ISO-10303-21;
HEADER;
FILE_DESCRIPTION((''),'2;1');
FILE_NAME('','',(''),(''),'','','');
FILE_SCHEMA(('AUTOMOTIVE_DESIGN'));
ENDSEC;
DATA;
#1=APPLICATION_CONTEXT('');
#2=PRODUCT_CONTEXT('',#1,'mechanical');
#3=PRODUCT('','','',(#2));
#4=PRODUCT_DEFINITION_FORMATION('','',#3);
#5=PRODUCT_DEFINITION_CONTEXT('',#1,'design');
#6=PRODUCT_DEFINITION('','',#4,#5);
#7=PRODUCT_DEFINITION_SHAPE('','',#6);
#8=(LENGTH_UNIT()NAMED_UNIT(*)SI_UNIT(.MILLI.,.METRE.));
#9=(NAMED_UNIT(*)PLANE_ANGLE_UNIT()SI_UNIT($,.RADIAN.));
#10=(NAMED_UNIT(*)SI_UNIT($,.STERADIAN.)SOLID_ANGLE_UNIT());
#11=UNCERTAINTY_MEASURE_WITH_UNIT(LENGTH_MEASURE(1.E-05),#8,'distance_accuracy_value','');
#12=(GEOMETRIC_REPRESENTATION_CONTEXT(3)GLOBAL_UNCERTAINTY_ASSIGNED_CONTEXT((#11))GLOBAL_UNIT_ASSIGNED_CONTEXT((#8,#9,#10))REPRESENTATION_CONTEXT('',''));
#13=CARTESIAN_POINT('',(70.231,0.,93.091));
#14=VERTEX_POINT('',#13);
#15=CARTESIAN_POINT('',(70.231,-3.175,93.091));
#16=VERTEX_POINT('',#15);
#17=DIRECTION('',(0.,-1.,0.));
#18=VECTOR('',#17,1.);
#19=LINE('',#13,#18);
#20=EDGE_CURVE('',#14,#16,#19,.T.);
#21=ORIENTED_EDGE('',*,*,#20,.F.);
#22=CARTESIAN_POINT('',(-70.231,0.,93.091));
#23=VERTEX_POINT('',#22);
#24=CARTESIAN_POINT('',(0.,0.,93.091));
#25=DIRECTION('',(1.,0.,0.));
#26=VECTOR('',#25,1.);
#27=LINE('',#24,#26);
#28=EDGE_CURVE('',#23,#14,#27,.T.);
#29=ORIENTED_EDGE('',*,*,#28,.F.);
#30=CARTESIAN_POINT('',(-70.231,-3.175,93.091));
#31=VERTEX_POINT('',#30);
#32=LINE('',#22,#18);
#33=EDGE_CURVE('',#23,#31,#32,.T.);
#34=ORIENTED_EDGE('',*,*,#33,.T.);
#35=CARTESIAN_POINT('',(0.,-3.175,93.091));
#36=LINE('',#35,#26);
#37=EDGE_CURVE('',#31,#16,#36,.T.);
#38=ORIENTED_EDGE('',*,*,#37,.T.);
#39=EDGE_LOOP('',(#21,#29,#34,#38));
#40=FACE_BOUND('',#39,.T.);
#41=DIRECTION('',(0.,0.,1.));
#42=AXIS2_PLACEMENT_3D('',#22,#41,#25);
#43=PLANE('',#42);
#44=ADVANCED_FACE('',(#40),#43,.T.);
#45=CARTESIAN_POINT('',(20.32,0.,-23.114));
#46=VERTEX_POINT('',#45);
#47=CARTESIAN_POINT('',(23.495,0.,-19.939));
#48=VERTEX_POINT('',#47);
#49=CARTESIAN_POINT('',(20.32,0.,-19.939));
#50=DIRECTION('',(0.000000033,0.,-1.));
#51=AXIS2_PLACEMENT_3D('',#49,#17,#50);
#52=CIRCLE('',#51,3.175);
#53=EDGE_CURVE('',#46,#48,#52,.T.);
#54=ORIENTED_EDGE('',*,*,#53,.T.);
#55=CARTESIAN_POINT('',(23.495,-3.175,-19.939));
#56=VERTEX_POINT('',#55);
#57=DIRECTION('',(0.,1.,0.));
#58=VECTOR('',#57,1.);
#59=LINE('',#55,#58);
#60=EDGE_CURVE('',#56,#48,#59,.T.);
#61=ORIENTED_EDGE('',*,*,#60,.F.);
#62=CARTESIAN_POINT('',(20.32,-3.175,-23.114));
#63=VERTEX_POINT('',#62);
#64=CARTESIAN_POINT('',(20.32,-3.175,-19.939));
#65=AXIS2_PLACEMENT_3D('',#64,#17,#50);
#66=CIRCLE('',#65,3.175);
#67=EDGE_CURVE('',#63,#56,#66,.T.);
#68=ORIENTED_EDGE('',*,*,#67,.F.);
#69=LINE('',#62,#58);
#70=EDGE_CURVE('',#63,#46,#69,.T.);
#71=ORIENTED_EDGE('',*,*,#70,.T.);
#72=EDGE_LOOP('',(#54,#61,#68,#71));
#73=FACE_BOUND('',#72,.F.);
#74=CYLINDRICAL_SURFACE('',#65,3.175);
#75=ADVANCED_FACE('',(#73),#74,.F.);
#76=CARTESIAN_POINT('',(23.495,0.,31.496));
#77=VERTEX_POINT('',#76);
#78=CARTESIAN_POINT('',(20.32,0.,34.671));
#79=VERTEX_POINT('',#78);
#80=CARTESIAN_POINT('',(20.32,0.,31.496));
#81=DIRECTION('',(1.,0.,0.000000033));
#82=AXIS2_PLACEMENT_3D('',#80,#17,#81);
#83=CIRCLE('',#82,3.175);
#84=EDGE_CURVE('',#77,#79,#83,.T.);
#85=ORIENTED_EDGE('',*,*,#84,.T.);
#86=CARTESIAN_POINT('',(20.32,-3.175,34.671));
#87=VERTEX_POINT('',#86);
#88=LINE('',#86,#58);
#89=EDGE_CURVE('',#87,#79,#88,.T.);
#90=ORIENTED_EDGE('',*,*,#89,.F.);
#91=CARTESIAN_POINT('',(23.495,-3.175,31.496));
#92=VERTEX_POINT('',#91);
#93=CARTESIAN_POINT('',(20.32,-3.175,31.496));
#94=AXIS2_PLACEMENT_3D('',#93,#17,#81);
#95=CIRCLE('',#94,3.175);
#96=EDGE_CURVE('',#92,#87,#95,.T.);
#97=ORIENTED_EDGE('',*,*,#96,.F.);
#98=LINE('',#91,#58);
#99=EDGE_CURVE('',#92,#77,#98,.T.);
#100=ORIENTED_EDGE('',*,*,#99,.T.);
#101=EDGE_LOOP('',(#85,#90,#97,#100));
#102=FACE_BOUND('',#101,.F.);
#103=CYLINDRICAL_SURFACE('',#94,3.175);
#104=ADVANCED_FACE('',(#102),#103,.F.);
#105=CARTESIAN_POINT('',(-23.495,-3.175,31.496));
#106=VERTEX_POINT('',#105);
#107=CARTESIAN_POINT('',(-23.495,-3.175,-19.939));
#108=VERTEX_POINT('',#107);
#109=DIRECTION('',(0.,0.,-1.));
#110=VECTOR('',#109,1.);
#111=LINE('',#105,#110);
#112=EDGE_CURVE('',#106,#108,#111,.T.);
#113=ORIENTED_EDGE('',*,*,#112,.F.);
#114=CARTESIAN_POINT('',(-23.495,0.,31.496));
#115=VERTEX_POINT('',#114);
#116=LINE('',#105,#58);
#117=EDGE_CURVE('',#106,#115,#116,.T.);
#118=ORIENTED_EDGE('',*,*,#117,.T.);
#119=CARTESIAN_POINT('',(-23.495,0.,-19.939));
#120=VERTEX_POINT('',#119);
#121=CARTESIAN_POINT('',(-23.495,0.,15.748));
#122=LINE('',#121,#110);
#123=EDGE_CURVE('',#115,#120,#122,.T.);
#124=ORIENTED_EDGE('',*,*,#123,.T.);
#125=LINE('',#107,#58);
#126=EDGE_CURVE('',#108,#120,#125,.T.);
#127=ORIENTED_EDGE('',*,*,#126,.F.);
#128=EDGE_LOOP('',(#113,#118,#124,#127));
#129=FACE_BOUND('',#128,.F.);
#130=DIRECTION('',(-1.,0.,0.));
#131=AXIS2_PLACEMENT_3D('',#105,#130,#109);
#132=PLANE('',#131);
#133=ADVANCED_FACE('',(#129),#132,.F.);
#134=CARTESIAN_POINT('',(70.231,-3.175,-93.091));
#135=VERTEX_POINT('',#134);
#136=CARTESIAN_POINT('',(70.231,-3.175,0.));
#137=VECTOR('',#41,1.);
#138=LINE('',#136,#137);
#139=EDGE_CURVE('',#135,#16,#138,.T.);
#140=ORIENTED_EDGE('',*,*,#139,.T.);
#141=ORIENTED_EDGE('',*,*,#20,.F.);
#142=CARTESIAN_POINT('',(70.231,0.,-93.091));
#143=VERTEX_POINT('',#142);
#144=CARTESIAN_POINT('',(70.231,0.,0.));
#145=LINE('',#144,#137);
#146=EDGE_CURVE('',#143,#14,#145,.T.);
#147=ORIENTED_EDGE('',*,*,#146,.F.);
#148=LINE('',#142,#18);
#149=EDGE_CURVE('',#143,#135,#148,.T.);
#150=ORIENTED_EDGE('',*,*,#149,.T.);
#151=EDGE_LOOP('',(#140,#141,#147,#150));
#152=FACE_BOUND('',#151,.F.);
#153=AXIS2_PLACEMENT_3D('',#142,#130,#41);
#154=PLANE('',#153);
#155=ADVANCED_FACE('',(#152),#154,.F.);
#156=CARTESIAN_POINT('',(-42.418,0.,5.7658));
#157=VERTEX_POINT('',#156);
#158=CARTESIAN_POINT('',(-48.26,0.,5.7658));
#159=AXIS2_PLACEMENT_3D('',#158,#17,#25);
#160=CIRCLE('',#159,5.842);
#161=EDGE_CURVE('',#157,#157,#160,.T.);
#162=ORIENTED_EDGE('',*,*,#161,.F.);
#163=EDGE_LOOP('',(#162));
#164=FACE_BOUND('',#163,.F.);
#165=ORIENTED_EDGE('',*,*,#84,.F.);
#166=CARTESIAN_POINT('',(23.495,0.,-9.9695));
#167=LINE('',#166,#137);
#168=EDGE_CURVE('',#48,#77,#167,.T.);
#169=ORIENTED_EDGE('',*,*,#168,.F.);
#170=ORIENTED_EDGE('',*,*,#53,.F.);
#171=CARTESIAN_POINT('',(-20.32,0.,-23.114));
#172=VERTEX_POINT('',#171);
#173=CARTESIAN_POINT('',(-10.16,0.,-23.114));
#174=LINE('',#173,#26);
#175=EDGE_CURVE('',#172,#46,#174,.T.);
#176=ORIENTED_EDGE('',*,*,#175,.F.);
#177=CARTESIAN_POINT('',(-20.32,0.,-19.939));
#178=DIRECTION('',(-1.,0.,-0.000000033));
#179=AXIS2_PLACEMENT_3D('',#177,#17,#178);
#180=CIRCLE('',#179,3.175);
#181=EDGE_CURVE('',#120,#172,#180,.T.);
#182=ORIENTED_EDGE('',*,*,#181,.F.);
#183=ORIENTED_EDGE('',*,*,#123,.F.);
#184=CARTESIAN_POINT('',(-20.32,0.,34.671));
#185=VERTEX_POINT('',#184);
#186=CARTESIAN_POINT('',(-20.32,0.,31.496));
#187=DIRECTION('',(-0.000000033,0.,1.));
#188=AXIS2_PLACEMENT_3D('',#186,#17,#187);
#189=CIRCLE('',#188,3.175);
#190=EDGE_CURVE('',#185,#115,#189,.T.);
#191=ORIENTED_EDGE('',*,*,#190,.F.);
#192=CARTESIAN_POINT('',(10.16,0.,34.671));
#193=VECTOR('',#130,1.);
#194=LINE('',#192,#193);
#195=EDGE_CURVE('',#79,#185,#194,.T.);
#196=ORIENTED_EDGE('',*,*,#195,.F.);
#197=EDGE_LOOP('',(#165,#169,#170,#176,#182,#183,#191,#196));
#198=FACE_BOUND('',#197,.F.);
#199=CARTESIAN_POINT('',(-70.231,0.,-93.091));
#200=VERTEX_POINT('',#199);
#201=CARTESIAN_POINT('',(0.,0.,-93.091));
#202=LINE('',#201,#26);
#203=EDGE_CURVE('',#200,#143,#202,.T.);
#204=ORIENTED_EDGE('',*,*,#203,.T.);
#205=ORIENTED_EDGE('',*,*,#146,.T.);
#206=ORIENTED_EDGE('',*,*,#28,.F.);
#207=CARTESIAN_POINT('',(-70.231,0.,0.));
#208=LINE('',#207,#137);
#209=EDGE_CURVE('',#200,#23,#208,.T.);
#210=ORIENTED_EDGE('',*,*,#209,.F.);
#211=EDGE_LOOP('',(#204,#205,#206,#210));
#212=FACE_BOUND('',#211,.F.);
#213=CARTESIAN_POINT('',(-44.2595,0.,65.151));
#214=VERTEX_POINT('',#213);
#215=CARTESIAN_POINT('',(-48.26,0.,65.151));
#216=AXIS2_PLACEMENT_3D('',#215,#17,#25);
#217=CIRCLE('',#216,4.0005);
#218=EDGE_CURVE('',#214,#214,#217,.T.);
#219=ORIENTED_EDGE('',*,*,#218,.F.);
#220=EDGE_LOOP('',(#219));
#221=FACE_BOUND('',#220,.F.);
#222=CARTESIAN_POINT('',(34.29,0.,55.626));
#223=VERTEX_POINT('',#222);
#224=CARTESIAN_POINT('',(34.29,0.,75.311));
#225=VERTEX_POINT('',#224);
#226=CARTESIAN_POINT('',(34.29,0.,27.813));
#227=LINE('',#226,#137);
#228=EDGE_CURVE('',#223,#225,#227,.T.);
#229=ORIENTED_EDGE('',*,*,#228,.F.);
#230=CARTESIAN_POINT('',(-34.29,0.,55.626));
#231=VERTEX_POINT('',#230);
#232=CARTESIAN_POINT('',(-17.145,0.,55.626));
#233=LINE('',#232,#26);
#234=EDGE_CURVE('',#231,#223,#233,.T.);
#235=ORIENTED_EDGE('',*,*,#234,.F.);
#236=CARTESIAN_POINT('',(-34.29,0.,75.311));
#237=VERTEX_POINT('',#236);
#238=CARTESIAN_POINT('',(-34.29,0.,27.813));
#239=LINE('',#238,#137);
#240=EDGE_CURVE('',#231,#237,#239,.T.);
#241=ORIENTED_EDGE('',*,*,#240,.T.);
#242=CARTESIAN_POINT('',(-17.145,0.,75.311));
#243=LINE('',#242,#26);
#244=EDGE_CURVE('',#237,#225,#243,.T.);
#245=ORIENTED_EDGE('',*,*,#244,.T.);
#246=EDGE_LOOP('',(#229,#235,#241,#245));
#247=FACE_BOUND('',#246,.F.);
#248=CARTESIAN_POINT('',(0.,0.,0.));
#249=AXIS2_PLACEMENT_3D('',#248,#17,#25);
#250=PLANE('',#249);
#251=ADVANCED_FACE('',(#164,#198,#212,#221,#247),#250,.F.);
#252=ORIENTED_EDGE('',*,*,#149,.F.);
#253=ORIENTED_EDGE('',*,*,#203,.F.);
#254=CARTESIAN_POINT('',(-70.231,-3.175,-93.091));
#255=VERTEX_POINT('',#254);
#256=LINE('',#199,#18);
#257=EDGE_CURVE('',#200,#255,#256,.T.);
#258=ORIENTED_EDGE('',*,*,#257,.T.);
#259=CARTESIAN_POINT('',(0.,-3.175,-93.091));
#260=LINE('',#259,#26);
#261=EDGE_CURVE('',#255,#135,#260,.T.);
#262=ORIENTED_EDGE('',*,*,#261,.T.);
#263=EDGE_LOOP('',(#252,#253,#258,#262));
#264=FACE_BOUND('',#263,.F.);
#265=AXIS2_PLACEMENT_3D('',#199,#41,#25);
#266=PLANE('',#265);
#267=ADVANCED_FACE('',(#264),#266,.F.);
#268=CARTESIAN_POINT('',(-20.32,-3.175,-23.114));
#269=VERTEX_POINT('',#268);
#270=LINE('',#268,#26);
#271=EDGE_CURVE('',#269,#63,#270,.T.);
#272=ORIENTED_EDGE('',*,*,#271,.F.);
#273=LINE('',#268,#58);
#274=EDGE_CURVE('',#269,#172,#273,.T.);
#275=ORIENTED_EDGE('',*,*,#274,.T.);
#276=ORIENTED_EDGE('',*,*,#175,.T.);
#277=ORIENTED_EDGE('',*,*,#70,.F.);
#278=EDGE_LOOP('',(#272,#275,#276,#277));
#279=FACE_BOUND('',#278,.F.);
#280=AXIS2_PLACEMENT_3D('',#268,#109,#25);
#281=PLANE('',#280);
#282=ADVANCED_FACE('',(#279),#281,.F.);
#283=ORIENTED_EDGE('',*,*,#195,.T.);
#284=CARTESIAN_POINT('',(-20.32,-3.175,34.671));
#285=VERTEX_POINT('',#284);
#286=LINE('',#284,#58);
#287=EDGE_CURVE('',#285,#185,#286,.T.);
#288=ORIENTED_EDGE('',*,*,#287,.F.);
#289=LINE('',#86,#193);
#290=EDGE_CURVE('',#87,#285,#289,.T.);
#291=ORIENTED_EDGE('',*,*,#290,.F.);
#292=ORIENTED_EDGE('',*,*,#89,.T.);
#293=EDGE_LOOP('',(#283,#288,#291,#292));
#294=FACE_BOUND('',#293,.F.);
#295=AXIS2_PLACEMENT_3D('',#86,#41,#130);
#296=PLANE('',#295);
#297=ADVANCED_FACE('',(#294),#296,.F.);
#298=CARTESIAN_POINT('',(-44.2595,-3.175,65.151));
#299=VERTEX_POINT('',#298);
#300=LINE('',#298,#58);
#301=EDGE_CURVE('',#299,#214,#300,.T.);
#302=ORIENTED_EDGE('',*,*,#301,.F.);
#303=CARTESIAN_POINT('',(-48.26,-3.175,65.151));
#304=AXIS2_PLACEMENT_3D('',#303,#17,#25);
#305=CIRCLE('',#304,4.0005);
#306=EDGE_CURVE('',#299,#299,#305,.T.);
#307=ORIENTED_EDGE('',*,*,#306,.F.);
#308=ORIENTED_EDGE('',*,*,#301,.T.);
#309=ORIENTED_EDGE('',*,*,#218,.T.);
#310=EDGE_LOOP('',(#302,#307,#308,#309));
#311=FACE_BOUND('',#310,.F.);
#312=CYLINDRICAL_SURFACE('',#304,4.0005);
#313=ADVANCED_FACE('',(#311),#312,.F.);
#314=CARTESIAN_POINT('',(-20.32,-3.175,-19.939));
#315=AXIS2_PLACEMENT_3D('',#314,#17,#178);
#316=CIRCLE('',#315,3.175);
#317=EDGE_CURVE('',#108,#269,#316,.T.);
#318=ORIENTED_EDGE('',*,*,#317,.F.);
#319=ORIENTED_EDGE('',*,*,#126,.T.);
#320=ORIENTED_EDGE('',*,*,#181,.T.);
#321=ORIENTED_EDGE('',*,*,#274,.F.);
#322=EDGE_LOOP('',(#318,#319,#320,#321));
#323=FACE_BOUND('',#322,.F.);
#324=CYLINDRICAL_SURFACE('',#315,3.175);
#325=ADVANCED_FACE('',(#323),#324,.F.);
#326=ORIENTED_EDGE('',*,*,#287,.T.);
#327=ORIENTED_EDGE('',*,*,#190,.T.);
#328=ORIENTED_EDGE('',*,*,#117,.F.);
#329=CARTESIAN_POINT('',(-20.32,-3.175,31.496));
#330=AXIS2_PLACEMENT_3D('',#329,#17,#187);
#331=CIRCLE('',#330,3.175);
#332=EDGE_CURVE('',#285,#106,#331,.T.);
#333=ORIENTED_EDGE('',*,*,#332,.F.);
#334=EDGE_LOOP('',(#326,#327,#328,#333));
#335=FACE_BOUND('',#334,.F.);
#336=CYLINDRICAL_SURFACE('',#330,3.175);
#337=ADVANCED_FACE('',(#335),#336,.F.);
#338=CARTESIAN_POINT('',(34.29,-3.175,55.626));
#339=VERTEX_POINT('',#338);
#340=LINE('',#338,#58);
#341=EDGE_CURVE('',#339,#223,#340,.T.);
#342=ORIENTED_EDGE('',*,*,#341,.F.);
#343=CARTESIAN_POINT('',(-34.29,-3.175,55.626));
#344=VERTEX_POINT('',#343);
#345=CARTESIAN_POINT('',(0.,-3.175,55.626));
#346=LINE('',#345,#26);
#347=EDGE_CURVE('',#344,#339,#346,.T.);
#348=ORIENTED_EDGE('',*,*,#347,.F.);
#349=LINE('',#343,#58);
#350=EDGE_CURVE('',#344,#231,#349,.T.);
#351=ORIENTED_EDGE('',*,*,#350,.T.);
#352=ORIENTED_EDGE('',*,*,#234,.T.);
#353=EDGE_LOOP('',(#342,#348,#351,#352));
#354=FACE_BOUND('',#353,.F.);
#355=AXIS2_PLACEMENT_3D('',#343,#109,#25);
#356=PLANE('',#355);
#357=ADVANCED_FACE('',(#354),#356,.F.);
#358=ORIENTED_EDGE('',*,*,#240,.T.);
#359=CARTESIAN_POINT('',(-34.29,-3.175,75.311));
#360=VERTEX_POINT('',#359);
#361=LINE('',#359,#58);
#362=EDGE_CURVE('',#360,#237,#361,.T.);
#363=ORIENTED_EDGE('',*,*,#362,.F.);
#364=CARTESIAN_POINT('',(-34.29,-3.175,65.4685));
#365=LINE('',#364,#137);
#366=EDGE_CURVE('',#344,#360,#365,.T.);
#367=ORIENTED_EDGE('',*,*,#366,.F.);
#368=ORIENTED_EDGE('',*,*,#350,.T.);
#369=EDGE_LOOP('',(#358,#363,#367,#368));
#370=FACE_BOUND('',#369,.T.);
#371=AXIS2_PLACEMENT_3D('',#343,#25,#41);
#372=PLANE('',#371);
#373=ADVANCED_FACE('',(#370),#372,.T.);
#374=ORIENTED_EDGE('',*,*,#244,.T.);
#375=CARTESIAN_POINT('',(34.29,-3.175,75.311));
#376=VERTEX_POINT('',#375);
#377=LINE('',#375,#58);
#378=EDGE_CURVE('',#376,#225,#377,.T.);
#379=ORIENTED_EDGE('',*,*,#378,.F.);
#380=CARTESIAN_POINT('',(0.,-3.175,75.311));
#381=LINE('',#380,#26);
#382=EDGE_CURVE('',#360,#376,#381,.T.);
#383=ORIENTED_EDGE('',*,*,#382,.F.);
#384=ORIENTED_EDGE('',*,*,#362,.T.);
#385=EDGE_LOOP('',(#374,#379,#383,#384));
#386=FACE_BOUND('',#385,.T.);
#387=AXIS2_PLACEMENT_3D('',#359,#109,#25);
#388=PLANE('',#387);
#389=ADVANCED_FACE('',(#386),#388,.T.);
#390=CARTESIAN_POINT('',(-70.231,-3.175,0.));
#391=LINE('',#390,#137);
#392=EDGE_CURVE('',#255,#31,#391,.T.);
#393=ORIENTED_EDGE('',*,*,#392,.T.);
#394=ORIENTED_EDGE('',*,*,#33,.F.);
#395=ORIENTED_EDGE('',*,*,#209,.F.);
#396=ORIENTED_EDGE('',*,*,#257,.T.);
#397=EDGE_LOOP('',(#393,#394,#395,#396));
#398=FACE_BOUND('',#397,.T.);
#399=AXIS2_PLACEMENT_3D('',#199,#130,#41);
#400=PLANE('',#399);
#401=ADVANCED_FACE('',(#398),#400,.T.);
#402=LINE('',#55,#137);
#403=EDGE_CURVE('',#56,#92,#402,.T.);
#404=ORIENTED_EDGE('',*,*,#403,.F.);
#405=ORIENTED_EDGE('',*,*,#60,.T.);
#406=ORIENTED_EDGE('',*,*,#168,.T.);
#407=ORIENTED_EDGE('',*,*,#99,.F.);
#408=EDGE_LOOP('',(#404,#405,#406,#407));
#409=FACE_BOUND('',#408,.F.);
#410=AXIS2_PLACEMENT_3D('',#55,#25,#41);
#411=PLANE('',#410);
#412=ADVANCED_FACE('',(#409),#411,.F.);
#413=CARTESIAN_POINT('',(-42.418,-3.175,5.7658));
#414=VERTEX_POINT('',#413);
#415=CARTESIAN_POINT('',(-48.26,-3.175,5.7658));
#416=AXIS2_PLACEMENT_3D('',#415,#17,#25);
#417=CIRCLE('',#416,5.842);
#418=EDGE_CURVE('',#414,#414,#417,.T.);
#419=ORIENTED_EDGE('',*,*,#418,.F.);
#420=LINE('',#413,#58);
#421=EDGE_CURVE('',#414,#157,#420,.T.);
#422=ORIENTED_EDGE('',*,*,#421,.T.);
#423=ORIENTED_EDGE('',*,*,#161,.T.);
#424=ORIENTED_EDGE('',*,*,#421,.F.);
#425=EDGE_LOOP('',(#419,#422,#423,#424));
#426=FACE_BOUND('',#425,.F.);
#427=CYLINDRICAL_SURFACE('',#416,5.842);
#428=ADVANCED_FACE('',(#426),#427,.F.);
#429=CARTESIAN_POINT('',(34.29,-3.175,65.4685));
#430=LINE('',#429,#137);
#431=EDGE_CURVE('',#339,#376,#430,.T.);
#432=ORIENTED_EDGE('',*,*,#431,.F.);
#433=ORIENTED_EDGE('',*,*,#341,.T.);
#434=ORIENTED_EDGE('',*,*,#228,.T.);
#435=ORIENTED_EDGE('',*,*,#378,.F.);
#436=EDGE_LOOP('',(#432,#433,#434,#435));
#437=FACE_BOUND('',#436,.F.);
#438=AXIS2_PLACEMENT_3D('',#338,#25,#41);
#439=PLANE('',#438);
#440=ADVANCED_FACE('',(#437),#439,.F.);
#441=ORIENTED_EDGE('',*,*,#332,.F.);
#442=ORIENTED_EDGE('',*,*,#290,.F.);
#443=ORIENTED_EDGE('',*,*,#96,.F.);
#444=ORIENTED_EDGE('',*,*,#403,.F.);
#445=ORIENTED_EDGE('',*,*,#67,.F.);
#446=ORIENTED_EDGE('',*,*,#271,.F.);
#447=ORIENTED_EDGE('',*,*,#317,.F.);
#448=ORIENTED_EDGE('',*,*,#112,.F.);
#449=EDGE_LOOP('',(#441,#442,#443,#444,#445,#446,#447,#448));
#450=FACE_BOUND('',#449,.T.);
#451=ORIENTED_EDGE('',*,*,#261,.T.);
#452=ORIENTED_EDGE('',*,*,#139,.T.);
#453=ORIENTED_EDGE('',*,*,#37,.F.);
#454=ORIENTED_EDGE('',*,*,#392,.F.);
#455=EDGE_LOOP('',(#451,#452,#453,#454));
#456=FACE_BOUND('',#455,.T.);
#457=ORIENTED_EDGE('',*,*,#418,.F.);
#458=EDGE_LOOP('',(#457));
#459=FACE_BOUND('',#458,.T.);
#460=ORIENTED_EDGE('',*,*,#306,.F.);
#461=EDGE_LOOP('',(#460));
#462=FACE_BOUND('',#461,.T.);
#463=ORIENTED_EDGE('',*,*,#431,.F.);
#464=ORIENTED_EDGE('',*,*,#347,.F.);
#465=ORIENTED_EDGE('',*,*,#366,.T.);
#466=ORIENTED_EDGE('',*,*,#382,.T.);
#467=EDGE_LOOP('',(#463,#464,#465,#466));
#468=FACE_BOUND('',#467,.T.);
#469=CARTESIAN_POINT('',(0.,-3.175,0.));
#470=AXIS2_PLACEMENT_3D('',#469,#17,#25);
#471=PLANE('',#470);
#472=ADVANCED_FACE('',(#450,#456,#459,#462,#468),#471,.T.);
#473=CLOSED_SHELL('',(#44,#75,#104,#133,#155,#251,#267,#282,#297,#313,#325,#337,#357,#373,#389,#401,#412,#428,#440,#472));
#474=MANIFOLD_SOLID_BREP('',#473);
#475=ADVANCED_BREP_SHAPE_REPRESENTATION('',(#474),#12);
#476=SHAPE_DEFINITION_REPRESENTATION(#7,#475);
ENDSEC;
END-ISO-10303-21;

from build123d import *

# Parameters (mm, degrees)
F0_W     = 140.462
F0_H     = 186.182
F1_DEPTH = 3.175
F2_W     = 68.58
F2_H     = 19.685
F2_R     = 4.0005
F2_R_2   = 5.842
F3_DEPTH = 3.176


with BuildPart() as f1:
    # F0 (on Front) → F1 (new body)
    with BuildSketch(Plane.XZ):
        Rectangle(F0_W, F0_H)
    extrude(amount=F1_DEPTH)

    # F2 (on face) → F3 (cut, through all)
    with BuildSketch(Plane.XZ.offset(3.175)):
        with BuildLine():
            Line((20.32, 34.671), (-20.32, 34.671))
            ThreePointArc((-20.32, 34.671), (-22.565064, 33.741064), (-23.495, 31.496))
            Line((-23.495, 31.496), (-23.495, -19.939))
            ThreePointArc((-23.495, -19.939), (-22.565064, -22.184064), (-20.32, -23.114))
            Line((-20.32, -23.114), (20.32, -23.114))
            ThreePointArc((20.32, -23.114), (22.565064, -22.184064), (23.495, -19.939))
            Line((23.495, -19.939), (23.495, 31.496))
            ThreePointArc((23.495, 31.496), (22.565064, 33.741064), (20.32, 34.671))
        make_face()
        with Locations((0, 65.4685)):
            Rectangle(F2_W, F2_H)
        with Locations((-48.26, 65.151)):
            Circle(F2_R)
        with Locations((-48.26, 5.7658)):
            Circle(F2_R_2)
    extrude(amount=-F3_DEPTH, mode=Mode.SUBTRACT)


solid = f1.part
